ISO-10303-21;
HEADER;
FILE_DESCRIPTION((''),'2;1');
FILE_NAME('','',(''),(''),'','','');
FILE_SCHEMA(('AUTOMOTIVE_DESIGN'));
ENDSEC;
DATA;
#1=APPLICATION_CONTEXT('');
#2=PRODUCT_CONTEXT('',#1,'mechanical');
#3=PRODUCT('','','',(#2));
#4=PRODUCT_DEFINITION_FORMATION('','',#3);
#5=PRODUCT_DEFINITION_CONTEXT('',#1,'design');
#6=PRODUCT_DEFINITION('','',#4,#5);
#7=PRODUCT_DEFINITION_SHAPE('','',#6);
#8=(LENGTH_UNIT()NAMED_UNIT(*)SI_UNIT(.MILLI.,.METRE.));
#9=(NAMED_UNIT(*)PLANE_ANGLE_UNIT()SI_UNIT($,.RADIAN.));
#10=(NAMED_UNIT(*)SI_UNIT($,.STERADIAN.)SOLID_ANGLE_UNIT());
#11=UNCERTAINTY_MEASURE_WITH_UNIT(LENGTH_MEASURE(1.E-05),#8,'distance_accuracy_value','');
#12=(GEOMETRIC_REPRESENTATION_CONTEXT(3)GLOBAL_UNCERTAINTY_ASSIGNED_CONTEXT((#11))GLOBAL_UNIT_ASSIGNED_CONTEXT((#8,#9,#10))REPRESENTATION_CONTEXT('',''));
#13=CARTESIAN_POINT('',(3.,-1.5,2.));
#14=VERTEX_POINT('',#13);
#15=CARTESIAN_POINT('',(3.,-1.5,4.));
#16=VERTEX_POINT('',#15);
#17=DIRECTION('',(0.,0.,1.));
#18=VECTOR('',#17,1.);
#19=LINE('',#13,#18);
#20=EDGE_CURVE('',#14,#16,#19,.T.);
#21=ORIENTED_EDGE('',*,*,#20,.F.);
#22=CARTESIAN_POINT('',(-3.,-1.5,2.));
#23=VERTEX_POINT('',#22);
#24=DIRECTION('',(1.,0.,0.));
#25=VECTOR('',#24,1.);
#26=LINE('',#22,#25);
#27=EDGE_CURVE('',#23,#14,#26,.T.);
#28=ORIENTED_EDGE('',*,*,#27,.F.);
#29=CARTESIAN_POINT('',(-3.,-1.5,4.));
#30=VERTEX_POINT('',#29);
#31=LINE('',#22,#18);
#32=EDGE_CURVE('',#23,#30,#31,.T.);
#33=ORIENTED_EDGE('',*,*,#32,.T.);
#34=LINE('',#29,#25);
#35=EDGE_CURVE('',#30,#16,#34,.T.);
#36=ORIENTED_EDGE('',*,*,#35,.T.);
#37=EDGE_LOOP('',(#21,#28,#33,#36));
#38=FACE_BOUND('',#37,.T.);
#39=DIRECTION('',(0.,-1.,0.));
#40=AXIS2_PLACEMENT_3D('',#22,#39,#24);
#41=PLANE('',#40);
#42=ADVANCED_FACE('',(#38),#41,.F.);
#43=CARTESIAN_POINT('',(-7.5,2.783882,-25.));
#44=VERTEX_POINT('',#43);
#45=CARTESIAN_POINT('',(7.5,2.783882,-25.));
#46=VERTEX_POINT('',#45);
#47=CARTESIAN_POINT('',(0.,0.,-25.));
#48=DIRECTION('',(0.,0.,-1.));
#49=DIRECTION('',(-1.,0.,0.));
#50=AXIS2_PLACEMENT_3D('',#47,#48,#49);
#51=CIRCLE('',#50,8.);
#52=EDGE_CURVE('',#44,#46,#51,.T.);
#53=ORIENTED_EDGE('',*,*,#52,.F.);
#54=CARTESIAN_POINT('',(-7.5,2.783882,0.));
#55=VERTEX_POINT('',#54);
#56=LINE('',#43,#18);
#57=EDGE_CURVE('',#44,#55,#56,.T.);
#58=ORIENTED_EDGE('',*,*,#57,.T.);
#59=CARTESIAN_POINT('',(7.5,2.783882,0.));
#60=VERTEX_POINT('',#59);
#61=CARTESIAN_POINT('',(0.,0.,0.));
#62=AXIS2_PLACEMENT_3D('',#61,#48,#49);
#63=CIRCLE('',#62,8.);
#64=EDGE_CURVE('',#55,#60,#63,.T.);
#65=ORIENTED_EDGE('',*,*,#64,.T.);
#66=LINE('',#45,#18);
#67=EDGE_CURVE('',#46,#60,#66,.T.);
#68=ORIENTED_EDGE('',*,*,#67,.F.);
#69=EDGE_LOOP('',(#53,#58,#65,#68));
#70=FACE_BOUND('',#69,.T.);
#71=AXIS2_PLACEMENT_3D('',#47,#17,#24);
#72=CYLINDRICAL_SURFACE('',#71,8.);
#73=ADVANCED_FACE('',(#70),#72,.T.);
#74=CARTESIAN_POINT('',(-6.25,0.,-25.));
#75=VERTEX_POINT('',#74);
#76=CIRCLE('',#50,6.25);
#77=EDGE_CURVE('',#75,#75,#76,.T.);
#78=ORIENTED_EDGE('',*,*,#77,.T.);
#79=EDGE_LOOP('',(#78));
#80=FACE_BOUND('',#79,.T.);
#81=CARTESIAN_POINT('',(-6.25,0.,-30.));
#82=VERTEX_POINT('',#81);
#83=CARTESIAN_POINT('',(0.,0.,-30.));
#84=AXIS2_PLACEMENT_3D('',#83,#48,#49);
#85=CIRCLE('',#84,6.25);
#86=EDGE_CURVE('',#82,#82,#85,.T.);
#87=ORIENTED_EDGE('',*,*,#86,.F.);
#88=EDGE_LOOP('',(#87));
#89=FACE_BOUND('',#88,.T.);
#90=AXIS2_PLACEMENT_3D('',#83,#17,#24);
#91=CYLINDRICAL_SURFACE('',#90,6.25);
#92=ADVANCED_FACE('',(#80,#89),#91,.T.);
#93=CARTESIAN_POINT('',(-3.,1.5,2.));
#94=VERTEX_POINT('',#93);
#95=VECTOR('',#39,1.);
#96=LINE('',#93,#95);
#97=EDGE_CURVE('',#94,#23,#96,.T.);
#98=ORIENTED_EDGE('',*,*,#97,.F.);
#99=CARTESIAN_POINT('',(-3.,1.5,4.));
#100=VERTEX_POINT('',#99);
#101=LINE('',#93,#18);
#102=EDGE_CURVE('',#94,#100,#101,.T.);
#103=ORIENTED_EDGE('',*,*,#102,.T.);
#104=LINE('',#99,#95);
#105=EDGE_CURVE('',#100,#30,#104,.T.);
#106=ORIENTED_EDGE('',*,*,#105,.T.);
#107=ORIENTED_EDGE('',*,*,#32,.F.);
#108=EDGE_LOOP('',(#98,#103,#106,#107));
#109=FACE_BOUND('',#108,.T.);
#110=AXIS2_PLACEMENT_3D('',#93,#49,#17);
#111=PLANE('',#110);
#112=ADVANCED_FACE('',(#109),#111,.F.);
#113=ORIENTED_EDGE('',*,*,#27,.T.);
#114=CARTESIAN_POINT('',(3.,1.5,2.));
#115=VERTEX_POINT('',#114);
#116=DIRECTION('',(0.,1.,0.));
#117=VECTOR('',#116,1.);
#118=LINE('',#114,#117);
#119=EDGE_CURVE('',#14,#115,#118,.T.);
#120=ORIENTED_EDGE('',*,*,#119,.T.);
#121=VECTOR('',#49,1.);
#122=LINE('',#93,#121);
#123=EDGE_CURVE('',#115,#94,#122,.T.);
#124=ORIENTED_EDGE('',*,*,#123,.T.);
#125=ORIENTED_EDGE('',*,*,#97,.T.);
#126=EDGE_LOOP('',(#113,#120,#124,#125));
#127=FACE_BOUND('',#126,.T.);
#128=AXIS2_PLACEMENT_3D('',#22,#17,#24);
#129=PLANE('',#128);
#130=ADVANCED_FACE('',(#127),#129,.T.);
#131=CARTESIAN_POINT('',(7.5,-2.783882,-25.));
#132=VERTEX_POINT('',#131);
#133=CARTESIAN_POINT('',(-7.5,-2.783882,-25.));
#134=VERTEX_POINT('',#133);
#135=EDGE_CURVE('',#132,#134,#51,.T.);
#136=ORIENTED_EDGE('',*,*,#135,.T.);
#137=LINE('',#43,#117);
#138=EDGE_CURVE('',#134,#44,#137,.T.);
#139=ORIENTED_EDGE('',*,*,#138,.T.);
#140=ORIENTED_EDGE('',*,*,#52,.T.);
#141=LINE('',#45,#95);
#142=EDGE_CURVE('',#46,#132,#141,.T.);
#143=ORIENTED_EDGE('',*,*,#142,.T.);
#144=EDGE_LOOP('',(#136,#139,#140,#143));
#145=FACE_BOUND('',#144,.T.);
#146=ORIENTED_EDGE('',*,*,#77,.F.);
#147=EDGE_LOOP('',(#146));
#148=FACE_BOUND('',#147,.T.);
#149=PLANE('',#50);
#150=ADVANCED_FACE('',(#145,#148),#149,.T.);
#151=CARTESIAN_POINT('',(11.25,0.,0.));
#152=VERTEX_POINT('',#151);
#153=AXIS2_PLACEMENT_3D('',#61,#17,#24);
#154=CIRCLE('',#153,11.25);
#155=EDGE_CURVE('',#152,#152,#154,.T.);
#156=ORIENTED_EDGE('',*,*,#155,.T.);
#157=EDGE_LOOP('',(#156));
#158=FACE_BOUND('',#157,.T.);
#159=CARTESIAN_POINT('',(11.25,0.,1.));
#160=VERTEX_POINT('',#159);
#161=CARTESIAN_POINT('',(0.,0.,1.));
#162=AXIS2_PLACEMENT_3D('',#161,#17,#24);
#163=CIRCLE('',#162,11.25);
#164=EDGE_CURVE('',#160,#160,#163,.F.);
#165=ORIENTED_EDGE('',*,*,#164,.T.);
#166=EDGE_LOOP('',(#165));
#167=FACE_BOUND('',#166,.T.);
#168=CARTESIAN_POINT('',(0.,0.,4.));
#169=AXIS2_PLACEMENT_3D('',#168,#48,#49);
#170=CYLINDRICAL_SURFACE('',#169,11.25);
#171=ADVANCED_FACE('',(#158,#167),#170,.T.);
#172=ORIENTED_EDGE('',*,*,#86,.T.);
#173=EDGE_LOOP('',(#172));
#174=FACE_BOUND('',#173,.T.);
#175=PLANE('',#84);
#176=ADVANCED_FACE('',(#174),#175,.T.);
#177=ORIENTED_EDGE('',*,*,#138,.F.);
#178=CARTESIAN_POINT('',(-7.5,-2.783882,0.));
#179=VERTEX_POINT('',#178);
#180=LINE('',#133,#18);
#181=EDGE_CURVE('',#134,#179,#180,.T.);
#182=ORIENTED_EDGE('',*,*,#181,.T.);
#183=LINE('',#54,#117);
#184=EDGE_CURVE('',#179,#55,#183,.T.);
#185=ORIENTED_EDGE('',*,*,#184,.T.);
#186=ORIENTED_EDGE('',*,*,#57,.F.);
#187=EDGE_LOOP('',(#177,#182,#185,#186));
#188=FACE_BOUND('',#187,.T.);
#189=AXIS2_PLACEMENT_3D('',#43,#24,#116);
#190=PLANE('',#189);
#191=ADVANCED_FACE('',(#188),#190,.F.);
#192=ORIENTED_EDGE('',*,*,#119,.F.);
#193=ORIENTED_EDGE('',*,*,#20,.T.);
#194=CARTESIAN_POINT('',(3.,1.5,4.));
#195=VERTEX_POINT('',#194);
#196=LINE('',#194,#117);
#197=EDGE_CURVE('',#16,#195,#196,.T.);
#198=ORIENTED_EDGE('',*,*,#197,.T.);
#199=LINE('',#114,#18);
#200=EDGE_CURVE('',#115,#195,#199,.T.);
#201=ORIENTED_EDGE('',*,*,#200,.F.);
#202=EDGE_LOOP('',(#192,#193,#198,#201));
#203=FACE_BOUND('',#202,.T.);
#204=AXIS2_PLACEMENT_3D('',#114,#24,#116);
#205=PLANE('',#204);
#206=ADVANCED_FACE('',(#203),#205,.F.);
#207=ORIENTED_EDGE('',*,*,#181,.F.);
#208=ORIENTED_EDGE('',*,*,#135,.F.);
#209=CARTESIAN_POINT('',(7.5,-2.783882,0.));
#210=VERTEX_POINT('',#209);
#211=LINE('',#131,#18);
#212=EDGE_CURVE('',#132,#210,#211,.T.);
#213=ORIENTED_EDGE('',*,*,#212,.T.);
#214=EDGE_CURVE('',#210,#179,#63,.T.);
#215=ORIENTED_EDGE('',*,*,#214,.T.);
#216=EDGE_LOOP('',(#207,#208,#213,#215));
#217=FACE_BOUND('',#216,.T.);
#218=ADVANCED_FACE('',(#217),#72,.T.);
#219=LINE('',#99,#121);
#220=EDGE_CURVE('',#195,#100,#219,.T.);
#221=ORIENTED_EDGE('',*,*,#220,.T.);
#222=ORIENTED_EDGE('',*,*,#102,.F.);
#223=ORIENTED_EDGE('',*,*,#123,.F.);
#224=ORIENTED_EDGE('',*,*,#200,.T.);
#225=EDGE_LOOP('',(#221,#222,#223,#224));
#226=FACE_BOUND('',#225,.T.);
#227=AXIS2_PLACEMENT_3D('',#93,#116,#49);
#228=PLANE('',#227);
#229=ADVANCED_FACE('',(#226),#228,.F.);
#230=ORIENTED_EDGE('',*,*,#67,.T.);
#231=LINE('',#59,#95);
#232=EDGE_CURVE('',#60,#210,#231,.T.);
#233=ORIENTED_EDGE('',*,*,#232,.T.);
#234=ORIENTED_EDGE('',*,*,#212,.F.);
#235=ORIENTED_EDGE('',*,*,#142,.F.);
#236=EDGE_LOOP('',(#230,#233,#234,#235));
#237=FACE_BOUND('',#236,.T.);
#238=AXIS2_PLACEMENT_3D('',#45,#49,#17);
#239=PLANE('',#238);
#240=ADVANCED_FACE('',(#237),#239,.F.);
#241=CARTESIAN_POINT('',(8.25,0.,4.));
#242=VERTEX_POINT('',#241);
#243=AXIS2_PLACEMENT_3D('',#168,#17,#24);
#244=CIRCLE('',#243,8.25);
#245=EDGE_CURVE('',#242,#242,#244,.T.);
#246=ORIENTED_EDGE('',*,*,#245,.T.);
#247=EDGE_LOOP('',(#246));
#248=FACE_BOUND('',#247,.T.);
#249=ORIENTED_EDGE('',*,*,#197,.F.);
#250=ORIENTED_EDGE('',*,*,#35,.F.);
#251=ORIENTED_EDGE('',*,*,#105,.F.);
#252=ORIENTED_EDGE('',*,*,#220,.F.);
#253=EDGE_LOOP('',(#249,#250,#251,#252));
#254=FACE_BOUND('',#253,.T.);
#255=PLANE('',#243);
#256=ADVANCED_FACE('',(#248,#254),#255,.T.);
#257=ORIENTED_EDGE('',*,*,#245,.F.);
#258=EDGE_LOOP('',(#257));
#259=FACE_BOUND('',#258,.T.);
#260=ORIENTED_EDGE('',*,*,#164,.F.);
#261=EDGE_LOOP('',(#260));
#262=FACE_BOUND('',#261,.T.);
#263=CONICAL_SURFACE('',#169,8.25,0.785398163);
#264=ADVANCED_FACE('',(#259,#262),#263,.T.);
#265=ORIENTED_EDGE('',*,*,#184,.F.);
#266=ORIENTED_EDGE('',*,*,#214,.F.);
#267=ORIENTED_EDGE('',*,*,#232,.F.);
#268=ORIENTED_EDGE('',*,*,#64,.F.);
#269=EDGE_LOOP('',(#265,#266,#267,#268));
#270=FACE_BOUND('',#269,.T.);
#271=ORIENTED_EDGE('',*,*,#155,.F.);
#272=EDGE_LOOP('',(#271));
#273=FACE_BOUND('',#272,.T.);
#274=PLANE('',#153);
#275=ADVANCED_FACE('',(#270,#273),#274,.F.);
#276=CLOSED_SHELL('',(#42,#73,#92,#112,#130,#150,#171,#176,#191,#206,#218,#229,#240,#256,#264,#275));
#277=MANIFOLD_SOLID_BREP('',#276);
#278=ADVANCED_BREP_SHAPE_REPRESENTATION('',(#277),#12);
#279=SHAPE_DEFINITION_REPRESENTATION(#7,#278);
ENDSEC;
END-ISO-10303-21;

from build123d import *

# Parameters (mm, degrees)
SKETCH_1_R          = 11.25
EXTRUDE_1_DEPTH     = 4
CHAMFER_1_SIZE      = 3
SKETCH_2_W          = 6
SKETCH_2_H          = 3
CUT_EXTRUDE_1_DEPTH = 2
EXTRUDE_2_DEPTH     = 25
SKETCH_4_R          = 6.25
EXTRUDE_3_DEPTH     = 5


with BuildPart() as part:
    # 草图1 → 拉伸1 (new body)
    with BuildSketch(Plane.XY):
        Circle(SKETCH_1_R)
    extrude(amount=EXTRUDE_1_DEPTH)

    # 倒角1
    chamfer_1_edges = [part.edges().sort_by_distance(p)[0] for p in [
        (-11.25, 0, 4),
    ]]
    chamfer(chamfer_1_edges, length=CHAMFER_1_SIZE)

    # 草图2 → 切除-拉伸1 (cut)
    with BuildSketch(Plane.XY.offset(4)):
        Rectangle(SKETCH_2_W, SKETCH_2_H)
    extrude(amount=-CUT_EXTRUDE_1_DEPTH, mode=Mode.SUBTRACT)

    # 草图3 → 拉伸2 (add)
    with BuildSketch(Plane(origin=(0, 0, 0), x_dir=(-1, 0, 0), z_dir=(0, 0, -1))):
        with BuildLine():
            Line((-7.5, 2.783882181), (-7.5, -2.783882181))
            ThreePointArc((-7.5, -2.783882181), (0, -8), (7.5, -2.783882181))
            Line((7.5, -2.783882181), (7.5, 2.783882181))
            ThreePointArc((7.5, 2.783882181), (0, 8), (-7.5, 2.783882181))
        make_face()
    extrude(amount=EXTRUDE_2_DEPTH)

    # 草图4 → 拉伸3 (add)
    with BuildSketch(Plane(origin=(0, 0, -25), x_dir=(-1, 0, 0), z_dir=(0, 0, -1))):
        Circle(SKETCH_4_R)
    extrude(amount=EXTRUDE_3_DEPTH)


solid = part.part
